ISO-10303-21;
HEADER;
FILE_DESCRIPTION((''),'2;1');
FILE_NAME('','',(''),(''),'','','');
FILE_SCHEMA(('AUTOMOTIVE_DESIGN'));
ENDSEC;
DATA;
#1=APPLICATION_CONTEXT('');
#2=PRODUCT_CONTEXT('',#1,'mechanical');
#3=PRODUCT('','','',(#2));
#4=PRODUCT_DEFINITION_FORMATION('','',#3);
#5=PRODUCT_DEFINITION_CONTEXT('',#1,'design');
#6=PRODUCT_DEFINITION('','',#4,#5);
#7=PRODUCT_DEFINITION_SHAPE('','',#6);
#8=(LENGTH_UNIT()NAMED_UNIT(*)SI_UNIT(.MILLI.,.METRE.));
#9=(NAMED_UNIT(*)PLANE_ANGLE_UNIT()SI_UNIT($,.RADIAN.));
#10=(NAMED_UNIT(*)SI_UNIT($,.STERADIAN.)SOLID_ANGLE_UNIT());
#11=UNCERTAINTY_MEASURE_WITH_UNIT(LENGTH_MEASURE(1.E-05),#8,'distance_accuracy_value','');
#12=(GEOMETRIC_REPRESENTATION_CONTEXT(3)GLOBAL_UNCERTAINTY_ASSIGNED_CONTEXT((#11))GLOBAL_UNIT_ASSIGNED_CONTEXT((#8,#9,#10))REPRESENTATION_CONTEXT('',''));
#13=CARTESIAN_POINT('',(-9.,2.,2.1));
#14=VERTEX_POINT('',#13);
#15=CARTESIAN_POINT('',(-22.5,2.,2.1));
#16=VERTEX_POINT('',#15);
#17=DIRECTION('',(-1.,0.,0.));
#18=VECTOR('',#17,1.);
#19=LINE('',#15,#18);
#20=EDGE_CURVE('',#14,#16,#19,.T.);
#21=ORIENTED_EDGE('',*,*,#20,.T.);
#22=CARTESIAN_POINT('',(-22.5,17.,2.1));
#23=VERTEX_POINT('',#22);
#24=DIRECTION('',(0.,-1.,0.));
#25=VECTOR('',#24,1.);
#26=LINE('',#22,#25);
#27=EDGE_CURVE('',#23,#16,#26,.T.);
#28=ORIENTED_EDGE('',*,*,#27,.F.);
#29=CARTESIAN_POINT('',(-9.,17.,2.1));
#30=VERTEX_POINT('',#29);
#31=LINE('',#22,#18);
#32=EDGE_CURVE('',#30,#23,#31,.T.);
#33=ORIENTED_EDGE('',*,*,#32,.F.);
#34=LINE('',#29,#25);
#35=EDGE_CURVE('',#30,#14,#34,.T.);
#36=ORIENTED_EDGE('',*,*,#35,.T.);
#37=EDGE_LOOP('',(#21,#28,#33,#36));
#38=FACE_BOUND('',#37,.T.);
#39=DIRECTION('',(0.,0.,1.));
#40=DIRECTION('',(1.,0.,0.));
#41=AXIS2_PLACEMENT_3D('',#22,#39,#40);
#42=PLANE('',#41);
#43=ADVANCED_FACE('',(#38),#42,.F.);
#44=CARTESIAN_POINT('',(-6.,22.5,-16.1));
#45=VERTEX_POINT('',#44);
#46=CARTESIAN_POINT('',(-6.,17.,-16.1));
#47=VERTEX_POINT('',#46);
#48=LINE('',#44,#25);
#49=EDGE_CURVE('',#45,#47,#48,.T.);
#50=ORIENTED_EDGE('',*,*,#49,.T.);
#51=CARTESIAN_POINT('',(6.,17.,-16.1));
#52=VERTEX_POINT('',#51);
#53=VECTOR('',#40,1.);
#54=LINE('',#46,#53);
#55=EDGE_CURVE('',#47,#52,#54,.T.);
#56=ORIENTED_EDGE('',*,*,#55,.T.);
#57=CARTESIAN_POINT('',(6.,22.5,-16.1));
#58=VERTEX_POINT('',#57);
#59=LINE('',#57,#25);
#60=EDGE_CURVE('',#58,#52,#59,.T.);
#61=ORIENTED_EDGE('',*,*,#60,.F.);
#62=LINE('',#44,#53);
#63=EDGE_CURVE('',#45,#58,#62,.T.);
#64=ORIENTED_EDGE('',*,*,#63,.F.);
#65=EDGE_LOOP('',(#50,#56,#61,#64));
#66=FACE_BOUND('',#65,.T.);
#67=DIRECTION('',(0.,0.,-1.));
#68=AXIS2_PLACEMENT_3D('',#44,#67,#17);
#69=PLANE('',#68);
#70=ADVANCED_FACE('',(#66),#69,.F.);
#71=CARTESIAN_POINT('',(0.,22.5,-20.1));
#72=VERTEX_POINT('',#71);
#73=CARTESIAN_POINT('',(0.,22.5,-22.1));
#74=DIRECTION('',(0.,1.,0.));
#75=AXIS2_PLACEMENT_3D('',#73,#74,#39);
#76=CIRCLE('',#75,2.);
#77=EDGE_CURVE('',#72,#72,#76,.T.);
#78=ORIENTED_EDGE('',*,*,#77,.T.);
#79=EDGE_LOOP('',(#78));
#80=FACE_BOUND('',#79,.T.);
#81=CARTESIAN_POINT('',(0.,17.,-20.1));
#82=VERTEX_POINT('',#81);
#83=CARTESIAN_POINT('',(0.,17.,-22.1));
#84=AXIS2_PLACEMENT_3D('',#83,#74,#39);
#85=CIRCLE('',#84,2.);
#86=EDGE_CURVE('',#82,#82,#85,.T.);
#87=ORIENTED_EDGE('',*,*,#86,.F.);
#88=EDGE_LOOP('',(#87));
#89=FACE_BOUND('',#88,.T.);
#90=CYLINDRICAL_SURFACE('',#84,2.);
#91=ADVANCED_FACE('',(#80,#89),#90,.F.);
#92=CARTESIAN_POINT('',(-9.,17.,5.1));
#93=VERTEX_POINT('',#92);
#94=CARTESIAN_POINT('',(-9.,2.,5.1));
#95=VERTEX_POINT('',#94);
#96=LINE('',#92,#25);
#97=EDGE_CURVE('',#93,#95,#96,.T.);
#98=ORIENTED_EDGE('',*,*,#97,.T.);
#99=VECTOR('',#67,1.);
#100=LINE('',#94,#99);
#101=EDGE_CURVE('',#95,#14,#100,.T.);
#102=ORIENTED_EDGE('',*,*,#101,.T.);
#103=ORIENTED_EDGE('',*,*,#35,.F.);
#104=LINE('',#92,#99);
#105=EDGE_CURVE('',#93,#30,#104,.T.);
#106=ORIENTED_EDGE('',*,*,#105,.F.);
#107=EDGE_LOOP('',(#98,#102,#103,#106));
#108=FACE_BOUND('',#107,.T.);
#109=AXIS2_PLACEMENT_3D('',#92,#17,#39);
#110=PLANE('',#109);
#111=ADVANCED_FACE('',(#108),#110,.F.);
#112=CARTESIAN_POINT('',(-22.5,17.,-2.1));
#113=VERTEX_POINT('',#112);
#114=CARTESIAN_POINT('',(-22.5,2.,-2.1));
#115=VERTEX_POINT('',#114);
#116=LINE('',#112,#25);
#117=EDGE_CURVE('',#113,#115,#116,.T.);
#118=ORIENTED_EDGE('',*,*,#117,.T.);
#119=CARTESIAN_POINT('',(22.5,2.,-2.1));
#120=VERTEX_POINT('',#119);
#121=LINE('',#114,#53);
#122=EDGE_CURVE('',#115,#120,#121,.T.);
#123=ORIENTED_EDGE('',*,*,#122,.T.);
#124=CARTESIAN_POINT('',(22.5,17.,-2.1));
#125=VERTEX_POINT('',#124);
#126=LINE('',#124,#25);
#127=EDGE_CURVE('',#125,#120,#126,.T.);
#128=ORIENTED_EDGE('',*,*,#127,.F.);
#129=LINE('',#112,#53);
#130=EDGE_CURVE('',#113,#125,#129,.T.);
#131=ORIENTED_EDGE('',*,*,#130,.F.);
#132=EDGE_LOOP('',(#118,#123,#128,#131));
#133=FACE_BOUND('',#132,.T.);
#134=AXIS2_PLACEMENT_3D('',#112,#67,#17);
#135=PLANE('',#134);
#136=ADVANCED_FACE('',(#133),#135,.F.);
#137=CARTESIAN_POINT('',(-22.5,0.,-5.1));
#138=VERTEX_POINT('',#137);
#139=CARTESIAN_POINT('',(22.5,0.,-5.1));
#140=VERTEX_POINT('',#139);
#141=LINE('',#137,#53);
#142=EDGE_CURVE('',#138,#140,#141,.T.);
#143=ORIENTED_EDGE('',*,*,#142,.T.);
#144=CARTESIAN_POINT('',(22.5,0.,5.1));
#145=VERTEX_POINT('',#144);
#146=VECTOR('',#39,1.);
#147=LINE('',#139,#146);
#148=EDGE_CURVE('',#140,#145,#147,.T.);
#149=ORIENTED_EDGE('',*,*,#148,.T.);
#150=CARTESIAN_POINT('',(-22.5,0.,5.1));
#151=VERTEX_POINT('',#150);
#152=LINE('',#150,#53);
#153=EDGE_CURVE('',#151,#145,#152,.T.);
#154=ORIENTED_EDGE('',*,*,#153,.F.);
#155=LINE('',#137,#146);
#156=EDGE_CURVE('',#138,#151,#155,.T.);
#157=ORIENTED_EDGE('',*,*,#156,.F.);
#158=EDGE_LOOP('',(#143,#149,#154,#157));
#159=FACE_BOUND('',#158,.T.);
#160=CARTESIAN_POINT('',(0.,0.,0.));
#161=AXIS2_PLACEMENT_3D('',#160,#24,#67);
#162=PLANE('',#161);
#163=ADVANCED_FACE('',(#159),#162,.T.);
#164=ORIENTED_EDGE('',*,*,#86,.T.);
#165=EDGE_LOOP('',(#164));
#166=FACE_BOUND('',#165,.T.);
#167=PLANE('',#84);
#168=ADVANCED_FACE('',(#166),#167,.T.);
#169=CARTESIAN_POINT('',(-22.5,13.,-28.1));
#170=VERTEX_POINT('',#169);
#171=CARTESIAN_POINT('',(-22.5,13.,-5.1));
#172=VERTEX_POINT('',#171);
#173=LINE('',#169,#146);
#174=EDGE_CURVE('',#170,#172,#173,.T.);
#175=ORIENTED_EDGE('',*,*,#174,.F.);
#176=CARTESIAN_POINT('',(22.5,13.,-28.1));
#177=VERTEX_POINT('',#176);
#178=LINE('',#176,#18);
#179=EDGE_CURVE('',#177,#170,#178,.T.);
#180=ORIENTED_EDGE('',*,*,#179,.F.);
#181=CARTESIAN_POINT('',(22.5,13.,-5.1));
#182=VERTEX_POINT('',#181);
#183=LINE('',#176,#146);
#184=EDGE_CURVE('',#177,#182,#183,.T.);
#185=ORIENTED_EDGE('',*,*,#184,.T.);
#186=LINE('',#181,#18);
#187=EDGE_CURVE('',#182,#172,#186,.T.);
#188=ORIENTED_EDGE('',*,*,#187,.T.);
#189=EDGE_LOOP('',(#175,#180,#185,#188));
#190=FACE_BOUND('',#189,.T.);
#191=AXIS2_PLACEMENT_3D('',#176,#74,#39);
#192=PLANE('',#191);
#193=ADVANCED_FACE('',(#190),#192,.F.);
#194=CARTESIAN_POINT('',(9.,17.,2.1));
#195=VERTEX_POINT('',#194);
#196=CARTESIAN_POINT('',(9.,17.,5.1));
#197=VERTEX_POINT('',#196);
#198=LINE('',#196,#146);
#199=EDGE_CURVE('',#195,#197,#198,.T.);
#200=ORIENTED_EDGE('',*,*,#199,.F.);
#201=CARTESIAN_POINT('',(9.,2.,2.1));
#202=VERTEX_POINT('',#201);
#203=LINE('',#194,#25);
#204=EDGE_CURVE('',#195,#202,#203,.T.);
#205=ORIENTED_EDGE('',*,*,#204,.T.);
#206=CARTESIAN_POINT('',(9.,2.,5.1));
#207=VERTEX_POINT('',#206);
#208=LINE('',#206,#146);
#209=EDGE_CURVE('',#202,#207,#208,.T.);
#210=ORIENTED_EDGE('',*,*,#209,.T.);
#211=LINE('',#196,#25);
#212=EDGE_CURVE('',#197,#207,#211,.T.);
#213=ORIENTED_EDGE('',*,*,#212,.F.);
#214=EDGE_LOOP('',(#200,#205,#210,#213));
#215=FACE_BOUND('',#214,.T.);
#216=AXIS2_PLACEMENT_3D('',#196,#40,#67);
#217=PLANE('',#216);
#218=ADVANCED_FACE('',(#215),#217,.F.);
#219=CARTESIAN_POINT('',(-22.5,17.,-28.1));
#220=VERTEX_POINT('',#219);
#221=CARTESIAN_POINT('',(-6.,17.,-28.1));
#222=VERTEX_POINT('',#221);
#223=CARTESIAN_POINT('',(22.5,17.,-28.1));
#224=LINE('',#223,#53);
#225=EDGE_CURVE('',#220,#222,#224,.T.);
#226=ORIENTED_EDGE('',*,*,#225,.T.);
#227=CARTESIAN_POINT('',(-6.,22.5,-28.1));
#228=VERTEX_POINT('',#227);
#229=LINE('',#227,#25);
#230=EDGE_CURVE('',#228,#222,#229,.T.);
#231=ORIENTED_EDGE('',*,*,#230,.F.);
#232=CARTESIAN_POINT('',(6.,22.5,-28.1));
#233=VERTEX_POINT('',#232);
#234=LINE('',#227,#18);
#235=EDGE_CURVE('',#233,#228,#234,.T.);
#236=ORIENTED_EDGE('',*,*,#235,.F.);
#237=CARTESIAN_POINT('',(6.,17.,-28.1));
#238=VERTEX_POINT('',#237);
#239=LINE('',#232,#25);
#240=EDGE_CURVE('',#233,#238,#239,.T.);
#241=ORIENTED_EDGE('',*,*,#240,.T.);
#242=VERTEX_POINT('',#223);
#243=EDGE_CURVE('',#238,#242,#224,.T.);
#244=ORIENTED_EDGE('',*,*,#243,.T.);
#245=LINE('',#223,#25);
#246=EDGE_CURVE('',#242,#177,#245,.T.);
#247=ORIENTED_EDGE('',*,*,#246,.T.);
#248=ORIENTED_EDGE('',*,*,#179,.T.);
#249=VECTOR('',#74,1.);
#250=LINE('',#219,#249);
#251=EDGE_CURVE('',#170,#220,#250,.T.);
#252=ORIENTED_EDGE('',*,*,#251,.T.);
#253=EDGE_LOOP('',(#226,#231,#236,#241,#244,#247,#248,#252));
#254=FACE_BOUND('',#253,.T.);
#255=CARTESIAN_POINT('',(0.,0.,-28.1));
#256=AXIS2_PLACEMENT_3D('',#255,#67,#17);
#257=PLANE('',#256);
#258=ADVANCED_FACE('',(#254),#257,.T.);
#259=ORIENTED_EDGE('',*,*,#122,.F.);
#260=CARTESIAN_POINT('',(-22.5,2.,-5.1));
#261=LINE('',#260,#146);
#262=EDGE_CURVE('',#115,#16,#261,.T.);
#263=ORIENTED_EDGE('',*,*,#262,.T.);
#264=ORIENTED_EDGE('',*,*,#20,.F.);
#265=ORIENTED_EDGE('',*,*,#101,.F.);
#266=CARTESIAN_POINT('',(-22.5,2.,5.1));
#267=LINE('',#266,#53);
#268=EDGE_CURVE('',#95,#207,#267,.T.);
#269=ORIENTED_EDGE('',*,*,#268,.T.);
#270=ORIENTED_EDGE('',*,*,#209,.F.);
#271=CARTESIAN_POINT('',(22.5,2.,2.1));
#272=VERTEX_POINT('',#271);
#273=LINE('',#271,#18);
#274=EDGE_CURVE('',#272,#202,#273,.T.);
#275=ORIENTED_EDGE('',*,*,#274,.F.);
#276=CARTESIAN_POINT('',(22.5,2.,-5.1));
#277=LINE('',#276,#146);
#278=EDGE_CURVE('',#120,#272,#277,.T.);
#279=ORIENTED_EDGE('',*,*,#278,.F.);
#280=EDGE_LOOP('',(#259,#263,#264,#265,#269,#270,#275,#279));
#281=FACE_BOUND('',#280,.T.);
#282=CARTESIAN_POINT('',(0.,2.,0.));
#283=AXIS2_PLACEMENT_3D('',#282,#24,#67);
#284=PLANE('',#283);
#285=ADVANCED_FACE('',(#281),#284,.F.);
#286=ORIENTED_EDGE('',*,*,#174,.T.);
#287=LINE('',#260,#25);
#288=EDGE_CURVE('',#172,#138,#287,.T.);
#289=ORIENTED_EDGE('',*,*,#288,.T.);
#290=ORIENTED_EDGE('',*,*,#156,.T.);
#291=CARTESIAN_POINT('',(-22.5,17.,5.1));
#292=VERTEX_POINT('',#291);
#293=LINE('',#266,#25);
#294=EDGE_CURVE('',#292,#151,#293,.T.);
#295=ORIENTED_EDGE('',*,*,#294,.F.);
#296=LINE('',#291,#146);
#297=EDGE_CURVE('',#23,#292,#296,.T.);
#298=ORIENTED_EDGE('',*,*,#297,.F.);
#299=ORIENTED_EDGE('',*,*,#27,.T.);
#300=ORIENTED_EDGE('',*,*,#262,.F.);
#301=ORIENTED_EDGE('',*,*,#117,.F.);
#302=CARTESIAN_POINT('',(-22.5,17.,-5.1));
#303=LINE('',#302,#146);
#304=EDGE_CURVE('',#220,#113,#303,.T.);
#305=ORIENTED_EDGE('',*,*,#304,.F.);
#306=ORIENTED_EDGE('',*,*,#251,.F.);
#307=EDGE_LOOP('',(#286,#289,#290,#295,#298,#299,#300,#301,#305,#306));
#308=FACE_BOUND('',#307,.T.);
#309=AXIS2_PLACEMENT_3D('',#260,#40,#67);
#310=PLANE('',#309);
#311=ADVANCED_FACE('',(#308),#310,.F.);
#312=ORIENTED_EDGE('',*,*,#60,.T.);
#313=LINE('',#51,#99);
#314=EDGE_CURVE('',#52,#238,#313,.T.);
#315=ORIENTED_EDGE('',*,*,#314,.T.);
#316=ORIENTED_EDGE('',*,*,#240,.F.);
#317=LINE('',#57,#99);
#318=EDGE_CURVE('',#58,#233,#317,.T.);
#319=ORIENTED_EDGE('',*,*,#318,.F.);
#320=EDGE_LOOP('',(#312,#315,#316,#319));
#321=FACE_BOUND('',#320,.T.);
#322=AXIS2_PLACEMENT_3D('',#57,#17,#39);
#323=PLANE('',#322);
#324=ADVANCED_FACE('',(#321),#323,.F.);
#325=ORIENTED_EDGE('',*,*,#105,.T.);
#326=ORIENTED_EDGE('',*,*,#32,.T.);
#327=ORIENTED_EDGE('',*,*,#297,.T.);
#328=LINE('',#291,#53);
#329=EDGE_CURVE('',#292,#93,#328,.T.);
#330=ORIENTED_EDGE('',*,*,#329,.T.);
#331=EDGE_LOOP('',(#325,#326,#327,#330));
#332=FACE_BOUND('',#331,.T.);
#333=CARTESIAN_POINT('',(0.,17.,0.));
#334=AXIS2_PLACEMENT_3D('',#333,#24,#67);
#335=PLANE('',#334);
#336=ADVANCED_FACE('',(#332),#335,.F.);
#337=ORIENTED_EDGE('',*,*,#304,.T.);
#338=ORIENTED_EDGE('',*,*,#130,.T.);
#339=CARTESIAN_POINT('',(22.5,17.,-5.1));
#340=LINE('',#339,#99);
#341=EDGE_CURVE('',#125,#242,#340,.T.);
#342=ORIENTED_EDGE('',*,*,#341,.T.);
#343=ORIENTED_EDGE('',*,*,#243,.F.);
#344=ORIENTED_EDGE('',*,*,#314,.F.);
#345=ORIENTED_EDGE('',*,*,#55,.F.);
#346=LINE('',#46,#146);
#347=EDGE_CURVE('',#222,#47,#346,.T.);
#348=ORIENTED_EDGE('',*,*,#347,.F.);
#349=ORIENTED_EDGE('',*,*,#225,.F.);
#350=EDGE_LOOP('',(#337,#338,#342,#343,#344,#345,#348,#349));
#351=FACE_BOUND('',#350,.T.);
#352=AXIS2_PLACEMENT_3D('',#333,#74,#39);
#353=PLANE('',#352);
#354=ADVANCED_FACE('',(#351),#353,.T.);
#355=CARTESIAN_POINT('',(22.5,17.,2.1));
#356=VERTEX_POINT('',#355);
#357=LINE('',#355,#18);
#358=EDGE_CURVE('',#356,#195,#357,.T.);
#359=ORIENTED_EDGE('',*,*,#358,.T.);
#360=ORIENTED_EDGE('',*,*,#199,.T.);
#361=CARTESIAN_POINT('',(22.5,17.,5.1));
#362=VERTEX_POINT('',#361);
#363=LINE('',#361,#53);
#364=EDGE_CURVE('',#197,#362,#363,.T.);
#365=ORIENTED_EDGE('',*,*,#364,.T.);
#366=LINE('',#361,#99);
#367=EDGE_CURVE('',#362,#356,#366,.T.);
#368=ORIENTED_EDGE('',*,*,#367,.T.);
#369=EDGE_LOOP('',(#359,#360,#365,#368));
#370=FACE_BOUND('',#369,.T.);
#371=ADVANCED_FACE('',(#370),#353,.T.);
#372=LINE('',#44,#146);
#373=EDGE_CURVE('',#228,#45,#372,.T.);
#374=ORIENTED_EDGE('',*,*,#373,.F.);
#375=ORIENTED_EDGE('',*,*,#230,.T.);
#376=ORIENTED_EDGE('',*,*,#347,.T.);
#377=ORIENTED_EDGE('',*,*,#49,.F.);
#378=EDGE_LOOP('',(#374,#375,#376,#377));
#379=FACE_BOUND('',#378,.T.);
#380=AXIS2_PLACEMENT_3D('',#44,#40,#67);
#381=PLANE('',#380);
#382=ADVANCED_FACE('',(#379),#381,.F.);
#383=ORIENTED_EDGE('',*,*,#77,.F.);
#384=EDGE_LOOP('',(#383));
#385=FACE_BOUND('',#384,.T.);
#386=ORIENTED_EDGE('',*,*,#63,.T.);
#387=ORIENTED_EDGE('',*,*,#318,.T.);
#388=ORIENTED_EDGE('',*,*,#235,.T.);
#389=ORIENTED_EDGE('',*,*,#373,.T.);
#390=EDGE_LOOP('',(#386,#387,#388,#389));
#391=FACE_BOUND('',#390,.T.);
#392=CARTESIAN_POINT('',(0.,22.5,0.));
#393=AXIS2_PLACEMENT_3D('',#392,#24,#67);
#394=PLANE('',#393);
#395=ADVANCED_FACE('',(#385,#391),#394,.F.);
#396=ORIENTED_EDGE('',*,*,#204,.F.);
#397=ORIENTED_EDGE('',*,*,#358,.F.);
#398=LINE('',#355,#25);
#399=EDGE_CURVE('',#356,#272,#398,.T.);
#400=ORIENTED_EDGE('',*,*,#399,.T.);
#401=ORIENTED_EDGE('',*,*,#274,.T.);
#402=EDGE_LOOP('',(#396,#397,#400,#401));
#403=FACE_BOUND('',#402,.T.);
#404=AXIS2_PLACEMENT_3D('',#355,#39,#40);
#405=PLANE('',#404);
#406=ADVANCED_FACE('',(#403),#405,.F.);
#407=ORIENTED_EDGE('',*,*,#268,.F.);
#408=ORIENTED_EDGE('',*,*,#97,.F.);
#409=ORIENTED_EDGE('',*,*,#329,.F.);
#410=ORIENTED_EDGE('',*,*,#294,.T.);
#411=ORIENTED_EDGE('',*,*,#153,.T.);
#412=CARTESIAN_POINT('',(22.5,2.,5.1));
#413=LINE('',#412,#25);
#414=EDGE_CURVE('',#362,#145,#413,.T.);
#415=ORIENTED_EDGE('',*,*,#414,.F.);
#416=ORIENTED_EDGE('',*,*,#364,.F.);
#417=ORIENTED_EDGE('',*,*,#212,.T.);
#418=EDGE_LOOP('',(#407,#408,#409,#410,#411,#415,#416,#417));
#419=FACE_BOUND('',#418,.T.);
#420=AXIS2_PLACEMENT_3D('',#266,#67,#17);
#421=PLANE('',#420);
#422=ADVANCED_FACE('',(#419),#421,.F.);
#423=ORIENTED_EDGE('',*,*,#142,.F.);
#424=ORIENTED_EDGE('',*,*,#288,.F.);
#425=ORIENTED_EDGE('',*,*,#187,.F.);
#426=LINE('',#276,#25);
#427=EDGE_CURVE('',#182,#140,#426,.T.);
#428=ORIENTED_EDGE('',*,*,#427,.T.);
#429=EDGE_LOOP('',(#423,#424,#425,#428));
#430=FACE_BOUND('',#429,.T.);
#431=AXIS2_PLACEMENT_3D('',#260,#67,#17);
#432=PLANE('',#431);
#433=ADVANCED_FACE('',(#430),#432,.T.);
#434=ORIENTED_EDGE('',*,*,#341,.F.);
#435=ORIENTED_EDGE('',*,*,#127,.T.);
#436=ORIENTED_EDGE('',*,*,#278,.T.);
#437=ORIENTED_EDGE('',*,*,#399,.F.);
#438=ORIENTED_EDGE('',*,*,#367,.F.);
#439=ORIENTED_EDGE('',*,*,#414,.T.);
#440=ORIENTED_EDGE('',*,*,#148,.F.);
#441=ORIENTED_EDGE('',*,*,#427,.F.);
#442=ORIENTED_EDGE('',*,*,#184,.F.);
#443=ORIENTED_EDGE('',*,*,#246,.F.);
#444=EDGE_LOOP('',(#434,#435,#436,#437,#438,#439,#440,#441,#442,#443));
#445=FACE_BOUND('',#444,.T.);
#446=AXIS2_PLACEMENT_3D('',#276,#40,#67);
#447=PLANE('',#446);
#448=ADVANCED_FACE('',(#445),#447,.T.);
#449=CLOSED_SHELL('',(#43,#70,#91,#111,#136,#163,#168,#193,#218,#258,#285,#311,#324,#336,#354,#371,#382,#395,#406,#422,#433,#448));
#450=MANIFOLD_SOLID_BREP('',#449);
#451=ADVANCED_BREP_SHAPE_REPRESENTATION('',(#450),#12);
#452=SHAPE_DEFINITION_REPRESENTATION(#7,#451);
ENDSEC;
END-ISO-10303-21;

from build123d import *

# Parameters (mm, degrees)
SKETCH1_W      = 45
SKETCH1_H      = 10.2
EXTRUDE1_DEPTH = 2
SKETCH2_W      = 13.5
SKETCH2_H      = 3
SKETCH2_W_2    = 45
EXTRUDE2_DEPTH = 15
SKETCH3_W      = 45
SKETCH3_H      = 4
EXTRUDE3_DEPTH = 23
SKETCH6_W      = 12
SKETCH6_H      = 12
EXTRUDE4_DEPTH = 5.5
SKETCH7_R      = 2
EXTRUDE5_DEPTH = 5.5


with BuildPart() as part:
    # Sketch1 → Extrude1 (new body)
    with BuildSketch(Plane(origin=(0, 0, 0), x_dir=(1, 0, 0), z_dir=(0, 1, 0))):
        Rectangle(SKETCH1_W, SKETCH1_H)
    extrude(amount=EXTRUDE1_DEPTH)

    # Sketch2 → Extrude2 (add)
    with BuildSketch(Plane(origin=(0, 2, 0), x_dir=(1, 0, 0), z_dir=(0, 1, 0))):
        with Locations((-15.75, -3.6)):
            Rectangle(SKETCH2_W, SKETCH2_H)
        with Locations((15.75, -3.6)):
            Rectangle(SKETCH2_W, SKETCH2_H)
        with Locations((0, 3.6)):
            Rectangle(SKETCH2_W_2, SKETCH2_H)
    extrude(amount=EXTRUDE2_DEPTH)

    # Sketch3 → Extrude3 (add)
    with BuildSketch(Plane(origin=(0, 0, -5.1), x_dir=(-1, 0, 0), z_dir=(0, 0, -1))):
        with Locations((0, 15)):
            Rectangle(SKETCH3_W, SKETCH3_H)
    extrude(amount=EXTRUDE3_DEPTH)

    # Sketch6 → Extrude4 (add)
    with BuildSketch(Plane(origin=(0, 17, 0), x_dir=(1, 0, 0), z_dir=(0, 1, 0))):
        with Locations((0, 22.1)):
            Rectangle(SKETCH6_W, SKETCH6_H)
    extrude(amount=EXTRUDE4_DEPTH)

    # Sketch7 → Extrude5 (cut)
    with BuildSketch(Plane(origin=(0, 22.5, 0), x_dir=(1, 0, 0), z_dir=(0, 1, 0))):
        with Locations(Location((0, 22.1, 0), (0, 0, 270))):
            Circle(SKETCH7_R)
    extrude(amount=-EXTRUDE5_DEPTH, mode=Mode.SUBTRACT)


solid = part.part
